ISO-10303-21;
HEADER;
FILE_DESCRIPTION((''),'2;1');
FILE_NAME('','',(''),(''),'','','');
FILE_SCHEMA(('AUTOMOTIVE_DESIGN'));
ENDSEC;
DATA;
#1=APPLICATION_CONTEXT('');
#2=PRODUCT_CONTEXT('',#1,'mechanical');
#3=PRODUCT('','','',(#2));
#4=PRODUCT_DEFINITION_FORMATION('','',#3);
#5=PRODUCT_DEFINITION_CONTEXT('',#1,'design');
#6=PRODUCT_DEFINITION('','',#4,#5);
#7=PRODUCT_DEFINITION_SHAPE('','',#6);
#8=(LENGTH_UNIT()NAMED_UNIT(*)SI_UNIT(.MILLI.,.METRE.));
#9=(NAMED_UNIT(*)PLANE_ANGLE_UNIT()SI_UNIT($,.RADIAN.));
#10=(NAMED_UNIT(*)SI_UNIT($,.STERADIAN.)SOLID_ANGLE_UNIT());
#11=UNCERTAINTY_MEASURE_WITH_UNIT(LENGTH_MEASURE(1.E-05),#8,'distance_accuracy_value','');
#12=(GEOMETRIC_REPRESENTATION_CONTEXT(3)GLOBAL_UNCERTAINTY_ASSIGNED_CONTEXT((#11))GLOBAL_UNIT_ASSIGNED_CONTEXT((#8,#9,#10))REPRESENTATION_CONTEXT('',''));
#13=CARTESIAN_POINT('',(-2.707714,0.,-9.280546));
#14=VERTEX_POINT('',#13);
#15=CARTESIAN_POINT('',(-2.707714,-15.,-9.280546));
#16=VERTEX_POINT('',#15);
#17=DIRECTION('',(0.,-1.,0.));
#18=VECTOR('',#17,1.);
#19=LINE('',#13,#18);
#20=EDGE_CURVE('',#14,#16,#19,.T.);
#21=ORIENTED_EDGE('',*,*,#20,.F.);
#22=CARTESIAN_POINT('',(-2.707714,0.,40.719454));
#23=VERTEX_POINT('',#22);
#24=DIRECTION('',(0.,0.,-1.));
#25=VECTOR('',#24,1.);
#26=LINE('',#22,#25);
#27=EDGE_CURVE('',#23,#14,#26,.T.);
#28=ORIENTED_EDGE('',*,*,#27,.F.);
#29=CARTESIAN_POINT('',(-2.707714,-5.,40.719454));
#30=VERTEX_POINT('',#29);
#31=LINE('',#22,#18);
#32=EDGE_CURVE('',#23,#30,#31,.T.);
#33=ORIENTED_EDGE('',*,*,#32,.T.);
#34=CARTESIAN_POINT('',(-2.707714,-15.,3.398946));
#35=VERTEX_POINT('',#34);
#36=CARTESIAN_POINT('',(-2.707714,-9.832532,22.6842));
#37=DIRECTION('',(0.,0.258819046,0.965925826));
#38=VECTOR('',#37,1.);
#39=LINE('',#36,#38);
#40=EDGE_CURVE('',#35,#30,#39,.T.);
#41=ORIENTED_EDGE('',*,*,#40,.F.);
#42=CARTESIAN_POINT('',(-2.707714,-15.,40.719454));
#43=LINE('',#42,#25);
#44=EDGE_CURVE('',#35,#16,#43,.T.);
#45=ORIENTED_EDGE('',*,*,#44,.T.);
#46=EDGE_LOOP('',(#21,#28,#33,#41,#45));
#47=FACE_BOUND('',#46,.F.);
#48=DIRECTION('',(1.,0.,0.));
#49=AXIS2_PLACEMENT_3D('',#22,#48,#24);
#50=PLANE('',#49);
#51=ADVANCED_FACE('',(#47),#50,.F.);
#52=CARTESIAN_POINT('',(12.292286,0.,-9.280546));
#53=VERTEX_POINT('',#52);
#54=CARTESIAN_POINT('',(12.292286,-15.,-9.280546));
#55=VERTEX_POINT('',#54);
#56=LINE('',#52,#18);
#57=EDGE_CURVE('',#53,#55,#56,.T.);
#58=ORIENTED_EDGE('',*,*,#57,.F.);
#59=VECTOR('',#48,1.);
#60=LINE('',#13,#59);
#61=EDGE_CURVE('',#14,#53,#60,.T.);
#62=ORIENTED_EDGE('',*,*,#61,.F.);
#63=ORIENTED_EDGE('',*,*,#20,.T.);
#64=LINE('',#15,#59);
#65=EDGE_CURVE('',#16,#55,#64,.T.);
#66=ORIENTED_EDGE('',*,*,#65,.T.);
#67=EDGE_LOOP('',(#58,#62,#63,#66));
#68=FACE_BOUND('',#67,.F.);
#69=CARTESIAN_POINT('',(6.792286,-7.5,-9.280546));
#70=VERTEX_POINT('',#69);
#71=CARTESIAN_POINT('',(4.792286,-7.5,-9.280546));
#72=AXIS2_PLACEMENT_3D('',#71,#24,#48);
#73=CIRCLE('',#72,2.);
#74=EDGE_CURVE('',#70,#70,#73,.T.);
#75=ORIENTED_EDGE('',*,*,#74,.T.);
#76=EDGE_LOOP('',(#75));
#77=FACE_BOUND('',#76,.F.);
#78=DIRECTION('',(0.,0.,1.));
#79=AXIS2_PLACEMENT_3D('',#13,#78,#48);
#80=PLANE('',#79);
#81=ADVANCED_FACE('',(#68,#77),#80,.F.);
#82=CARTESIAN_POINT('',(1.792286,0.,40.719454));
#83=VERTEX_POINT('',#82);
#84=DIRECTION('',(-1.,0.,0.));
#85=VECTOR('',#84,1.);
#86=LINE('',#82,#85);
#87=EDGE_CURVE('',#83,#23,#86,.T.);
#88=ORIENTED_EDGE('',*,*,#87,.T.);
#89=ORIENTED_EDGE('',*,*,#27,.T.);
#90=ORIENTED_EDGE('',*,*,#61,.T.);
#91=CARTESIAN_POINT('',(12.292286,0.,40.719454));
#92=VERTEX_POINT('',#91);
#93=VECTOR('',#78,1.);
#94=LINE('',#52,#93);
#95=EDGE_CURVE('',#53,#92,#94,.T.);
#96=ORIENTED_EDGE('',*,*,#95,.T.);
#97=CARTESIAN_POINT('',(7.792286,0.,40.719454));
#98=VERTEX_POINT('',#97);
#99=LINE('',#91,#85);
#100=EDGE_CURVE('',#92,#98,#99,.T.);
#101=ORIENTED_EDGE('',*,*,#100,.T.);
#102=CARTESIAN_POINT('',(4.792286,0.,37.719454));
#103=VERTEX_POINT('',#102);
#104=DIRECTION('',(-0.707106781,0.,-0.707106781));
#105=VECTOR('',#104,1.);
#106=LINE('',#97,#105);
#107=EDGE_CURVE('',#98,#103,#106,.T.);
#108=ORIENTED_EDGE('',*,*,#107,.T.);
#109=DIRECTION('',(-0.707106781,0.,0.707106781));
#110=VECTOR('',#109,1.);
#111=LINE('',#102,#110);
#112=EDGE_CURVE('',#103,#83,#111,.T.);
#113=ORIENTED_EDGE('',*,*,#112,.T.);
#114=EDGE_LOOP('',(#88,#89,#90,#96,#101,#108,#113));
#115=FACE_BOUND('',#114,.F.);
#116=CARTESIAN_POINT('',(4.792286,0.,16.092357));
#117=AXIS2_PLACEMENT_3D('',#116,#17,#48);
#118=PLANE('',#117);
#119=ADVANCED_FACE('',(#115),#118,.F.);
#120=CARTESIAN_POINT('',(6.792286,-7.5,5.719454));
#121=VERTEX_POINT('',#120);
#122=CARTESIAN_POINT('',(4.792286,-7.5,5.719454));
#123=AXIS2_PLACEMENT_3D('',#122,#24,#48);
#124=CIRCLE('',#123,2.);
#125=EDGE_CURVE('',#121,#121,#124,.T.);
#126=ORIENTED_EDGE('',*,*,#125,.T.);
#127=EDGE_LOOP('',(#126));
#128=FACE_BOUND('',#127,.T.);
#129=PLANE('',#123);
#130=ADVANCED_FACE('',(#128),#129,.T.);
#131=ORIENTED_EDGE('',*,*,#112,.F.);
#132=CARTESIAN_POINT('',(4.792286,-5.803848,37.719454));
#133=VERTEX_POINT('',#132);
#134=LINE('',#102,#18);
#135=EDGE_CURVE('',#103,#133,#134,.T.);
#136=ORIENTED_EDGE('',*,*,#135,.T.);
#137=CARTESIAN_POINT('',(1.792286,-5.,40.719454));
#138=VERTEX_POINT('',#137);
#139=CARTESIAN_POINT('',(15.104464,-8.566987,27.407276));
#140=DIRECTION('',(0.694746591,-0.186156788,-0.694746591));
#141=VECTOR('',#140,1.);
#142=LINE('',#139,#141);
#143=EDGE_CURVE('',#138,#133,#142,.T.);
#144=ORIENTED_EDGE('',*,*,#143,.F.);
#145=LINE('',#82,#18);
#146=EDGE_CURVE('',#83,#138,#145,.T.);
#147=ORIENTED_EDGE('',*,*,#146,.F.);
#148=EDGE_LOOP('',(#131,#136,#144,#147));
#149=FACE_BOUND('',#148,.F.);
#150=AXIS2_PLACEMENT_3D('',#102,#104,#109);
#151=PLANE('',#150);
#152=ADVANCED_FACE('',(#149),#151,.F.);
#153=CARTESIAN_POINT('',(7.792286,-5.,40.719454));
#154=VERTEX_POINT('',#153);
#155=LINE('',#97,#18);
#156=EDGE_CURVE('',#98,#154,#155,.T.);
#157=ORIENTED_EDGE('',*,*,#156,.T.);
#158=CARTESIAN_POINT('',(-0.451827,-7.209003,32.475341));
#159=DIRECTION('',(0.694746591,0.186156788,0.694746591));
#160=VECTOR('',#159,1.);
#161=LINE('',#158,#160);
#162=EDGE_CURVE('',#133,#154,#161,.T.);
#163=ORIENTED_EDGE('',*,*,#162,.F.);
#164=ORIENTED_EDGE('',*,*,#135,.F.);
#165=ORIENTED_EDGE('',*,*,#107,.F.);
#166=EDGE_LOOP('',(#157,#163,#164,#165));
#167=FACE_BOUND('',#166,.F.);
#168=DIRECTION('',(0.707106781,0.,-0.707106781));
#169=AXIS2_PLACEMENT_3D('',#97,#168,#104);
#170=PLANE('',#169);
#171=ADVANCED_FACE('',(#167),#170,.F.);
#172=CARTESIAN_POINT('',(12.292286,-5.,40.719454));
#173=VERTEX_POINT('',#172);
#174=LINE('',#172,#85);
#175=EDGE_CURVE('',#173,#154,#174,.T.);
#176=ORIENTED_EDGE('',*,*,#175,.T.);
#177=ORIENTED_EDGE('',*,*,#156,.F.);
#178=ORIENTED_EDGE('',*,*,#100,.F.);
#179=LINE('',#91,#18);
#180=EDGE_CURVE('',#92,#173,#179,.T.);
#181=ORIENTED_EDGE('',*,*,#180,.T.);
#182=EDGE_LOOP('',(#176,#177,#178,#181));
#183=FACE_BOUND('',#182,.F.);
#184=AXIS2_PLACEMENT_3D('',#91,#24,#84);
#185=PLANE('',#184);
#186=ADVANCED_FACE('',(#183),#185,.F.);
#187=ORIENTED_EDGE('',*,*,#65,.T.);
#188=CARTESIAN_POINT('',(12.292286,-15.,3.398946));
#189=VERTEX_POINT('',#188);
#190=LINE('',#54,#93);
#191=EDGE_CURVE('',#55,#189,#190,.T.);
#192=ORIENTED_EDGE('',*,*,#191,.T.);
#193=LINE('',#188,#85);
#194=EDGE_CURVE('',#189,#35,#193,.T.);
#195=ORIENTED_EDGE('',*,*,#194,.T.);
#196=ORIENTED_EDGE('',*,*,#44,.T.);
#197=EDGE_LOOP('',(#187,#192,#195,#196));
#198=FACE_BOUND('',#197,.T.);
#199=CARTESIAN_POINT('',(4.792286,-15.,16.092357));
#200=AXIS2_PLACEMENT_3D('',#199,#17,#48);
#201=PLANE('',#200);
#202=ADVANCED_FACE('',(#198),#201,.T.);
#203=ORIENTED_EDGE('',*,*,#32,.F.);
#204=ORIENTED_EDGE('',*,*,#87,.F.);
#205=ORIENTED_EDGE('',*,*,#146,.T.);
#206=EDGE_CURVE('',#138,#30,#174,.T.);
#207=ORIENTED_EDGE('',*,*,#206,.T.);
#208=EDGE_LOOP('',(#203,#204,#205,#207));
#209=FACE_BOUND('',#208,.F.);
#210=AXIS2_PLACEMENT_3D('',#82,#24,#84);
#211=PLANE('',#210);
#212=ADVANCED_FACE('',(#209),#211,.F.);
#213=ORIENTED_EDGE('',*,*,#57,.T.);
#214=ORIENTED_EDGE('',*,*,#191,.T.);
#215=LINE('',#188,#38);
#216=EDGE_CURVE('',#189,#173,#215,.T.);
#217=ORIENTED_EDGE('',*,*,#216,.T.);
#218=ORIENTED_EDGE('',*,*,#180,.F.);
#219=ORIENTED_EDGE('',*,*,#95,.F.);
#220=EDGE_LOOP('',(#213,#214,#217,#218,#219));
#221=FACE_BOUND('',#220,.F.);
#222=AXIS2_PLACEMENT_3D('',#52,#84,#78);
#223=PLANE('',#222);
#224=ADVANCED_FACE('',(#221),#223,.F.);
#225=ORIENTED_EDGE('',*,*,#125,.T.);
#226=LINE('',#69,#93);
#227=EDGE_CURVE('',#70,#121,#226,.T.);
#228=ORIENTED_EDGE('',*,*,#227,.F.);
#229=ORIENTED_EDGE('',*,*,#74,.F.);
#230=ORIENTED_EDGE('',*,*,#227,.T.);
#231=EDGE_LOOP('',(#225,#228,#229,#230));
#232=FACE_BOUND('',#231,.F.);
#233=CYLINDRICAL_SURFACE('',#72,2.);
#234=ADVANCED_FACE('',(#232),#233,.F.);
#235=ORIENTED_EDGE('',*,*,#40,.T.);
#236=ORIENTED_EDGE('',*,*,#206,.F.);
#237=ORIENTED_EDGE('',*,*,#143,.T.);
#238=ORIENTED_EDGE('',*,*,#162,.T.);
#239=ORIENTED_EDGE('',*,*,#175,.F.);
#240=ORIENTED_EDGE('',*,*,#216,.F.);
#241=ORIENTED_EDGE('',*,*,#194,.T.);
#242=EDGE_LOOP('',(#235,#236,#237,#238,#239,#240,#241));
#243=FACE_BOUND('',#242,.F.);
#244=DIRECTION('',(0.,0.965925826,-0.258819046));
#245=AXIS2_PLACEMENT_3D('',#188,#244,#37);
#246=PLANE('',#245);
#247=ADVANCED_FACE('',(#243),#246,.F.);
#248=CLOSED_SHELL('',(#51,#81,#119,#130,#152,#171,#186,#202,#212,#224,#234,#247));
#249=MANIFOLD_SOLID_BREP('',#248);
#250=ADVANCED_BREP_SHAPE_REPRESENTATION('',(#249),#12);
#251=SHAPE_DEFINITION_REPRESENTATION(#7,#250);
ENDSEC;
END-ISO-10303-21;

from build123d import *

# Parameters (mm, degrees)
F1_DEPTH = 15
F3_DEPTH = 25
F4_R     = 2
F5_DEPTH = 15


with BuildPart() as f1:
    # F0 (on Front) → F1 (new body)
    with BuildSketch(Plane.XZ):
        Polygon((1.792286, 40.719454), (-2.707714, 40.719454), (-2.707714, -9.280546), (12.292286, -9.280546), (12.292286, 40.719454), (7.792286, 40.719454), (4.792286, 37.719454), align=None)
    extrude(amount=F1_DEPTH)

    # F2 (on face) → F3 (cut)
    with BuildSketch(Plane.YZ.offset(12.292286)):
        Polygon((-15, 3.398946), (-5, 40.719454), (-15, 40.719454), align=None)
    extrude(amount=-F3_DEPTH, mode=Mode.SUBTRACT)

    # F4 (on face) → F5 (cut)
    with BuildSketch(Plane(origin=(0, 0, -9.280546), x_dir=(1, 0, 0), z_dir=(0, 0, -1))):
        with Locations((4.792286, 7.5)):
            Circle(F4_R)
    extrude(amount=-F5_DEPTH, mode=Mode.SUBTRACT)


solid = f1.part
